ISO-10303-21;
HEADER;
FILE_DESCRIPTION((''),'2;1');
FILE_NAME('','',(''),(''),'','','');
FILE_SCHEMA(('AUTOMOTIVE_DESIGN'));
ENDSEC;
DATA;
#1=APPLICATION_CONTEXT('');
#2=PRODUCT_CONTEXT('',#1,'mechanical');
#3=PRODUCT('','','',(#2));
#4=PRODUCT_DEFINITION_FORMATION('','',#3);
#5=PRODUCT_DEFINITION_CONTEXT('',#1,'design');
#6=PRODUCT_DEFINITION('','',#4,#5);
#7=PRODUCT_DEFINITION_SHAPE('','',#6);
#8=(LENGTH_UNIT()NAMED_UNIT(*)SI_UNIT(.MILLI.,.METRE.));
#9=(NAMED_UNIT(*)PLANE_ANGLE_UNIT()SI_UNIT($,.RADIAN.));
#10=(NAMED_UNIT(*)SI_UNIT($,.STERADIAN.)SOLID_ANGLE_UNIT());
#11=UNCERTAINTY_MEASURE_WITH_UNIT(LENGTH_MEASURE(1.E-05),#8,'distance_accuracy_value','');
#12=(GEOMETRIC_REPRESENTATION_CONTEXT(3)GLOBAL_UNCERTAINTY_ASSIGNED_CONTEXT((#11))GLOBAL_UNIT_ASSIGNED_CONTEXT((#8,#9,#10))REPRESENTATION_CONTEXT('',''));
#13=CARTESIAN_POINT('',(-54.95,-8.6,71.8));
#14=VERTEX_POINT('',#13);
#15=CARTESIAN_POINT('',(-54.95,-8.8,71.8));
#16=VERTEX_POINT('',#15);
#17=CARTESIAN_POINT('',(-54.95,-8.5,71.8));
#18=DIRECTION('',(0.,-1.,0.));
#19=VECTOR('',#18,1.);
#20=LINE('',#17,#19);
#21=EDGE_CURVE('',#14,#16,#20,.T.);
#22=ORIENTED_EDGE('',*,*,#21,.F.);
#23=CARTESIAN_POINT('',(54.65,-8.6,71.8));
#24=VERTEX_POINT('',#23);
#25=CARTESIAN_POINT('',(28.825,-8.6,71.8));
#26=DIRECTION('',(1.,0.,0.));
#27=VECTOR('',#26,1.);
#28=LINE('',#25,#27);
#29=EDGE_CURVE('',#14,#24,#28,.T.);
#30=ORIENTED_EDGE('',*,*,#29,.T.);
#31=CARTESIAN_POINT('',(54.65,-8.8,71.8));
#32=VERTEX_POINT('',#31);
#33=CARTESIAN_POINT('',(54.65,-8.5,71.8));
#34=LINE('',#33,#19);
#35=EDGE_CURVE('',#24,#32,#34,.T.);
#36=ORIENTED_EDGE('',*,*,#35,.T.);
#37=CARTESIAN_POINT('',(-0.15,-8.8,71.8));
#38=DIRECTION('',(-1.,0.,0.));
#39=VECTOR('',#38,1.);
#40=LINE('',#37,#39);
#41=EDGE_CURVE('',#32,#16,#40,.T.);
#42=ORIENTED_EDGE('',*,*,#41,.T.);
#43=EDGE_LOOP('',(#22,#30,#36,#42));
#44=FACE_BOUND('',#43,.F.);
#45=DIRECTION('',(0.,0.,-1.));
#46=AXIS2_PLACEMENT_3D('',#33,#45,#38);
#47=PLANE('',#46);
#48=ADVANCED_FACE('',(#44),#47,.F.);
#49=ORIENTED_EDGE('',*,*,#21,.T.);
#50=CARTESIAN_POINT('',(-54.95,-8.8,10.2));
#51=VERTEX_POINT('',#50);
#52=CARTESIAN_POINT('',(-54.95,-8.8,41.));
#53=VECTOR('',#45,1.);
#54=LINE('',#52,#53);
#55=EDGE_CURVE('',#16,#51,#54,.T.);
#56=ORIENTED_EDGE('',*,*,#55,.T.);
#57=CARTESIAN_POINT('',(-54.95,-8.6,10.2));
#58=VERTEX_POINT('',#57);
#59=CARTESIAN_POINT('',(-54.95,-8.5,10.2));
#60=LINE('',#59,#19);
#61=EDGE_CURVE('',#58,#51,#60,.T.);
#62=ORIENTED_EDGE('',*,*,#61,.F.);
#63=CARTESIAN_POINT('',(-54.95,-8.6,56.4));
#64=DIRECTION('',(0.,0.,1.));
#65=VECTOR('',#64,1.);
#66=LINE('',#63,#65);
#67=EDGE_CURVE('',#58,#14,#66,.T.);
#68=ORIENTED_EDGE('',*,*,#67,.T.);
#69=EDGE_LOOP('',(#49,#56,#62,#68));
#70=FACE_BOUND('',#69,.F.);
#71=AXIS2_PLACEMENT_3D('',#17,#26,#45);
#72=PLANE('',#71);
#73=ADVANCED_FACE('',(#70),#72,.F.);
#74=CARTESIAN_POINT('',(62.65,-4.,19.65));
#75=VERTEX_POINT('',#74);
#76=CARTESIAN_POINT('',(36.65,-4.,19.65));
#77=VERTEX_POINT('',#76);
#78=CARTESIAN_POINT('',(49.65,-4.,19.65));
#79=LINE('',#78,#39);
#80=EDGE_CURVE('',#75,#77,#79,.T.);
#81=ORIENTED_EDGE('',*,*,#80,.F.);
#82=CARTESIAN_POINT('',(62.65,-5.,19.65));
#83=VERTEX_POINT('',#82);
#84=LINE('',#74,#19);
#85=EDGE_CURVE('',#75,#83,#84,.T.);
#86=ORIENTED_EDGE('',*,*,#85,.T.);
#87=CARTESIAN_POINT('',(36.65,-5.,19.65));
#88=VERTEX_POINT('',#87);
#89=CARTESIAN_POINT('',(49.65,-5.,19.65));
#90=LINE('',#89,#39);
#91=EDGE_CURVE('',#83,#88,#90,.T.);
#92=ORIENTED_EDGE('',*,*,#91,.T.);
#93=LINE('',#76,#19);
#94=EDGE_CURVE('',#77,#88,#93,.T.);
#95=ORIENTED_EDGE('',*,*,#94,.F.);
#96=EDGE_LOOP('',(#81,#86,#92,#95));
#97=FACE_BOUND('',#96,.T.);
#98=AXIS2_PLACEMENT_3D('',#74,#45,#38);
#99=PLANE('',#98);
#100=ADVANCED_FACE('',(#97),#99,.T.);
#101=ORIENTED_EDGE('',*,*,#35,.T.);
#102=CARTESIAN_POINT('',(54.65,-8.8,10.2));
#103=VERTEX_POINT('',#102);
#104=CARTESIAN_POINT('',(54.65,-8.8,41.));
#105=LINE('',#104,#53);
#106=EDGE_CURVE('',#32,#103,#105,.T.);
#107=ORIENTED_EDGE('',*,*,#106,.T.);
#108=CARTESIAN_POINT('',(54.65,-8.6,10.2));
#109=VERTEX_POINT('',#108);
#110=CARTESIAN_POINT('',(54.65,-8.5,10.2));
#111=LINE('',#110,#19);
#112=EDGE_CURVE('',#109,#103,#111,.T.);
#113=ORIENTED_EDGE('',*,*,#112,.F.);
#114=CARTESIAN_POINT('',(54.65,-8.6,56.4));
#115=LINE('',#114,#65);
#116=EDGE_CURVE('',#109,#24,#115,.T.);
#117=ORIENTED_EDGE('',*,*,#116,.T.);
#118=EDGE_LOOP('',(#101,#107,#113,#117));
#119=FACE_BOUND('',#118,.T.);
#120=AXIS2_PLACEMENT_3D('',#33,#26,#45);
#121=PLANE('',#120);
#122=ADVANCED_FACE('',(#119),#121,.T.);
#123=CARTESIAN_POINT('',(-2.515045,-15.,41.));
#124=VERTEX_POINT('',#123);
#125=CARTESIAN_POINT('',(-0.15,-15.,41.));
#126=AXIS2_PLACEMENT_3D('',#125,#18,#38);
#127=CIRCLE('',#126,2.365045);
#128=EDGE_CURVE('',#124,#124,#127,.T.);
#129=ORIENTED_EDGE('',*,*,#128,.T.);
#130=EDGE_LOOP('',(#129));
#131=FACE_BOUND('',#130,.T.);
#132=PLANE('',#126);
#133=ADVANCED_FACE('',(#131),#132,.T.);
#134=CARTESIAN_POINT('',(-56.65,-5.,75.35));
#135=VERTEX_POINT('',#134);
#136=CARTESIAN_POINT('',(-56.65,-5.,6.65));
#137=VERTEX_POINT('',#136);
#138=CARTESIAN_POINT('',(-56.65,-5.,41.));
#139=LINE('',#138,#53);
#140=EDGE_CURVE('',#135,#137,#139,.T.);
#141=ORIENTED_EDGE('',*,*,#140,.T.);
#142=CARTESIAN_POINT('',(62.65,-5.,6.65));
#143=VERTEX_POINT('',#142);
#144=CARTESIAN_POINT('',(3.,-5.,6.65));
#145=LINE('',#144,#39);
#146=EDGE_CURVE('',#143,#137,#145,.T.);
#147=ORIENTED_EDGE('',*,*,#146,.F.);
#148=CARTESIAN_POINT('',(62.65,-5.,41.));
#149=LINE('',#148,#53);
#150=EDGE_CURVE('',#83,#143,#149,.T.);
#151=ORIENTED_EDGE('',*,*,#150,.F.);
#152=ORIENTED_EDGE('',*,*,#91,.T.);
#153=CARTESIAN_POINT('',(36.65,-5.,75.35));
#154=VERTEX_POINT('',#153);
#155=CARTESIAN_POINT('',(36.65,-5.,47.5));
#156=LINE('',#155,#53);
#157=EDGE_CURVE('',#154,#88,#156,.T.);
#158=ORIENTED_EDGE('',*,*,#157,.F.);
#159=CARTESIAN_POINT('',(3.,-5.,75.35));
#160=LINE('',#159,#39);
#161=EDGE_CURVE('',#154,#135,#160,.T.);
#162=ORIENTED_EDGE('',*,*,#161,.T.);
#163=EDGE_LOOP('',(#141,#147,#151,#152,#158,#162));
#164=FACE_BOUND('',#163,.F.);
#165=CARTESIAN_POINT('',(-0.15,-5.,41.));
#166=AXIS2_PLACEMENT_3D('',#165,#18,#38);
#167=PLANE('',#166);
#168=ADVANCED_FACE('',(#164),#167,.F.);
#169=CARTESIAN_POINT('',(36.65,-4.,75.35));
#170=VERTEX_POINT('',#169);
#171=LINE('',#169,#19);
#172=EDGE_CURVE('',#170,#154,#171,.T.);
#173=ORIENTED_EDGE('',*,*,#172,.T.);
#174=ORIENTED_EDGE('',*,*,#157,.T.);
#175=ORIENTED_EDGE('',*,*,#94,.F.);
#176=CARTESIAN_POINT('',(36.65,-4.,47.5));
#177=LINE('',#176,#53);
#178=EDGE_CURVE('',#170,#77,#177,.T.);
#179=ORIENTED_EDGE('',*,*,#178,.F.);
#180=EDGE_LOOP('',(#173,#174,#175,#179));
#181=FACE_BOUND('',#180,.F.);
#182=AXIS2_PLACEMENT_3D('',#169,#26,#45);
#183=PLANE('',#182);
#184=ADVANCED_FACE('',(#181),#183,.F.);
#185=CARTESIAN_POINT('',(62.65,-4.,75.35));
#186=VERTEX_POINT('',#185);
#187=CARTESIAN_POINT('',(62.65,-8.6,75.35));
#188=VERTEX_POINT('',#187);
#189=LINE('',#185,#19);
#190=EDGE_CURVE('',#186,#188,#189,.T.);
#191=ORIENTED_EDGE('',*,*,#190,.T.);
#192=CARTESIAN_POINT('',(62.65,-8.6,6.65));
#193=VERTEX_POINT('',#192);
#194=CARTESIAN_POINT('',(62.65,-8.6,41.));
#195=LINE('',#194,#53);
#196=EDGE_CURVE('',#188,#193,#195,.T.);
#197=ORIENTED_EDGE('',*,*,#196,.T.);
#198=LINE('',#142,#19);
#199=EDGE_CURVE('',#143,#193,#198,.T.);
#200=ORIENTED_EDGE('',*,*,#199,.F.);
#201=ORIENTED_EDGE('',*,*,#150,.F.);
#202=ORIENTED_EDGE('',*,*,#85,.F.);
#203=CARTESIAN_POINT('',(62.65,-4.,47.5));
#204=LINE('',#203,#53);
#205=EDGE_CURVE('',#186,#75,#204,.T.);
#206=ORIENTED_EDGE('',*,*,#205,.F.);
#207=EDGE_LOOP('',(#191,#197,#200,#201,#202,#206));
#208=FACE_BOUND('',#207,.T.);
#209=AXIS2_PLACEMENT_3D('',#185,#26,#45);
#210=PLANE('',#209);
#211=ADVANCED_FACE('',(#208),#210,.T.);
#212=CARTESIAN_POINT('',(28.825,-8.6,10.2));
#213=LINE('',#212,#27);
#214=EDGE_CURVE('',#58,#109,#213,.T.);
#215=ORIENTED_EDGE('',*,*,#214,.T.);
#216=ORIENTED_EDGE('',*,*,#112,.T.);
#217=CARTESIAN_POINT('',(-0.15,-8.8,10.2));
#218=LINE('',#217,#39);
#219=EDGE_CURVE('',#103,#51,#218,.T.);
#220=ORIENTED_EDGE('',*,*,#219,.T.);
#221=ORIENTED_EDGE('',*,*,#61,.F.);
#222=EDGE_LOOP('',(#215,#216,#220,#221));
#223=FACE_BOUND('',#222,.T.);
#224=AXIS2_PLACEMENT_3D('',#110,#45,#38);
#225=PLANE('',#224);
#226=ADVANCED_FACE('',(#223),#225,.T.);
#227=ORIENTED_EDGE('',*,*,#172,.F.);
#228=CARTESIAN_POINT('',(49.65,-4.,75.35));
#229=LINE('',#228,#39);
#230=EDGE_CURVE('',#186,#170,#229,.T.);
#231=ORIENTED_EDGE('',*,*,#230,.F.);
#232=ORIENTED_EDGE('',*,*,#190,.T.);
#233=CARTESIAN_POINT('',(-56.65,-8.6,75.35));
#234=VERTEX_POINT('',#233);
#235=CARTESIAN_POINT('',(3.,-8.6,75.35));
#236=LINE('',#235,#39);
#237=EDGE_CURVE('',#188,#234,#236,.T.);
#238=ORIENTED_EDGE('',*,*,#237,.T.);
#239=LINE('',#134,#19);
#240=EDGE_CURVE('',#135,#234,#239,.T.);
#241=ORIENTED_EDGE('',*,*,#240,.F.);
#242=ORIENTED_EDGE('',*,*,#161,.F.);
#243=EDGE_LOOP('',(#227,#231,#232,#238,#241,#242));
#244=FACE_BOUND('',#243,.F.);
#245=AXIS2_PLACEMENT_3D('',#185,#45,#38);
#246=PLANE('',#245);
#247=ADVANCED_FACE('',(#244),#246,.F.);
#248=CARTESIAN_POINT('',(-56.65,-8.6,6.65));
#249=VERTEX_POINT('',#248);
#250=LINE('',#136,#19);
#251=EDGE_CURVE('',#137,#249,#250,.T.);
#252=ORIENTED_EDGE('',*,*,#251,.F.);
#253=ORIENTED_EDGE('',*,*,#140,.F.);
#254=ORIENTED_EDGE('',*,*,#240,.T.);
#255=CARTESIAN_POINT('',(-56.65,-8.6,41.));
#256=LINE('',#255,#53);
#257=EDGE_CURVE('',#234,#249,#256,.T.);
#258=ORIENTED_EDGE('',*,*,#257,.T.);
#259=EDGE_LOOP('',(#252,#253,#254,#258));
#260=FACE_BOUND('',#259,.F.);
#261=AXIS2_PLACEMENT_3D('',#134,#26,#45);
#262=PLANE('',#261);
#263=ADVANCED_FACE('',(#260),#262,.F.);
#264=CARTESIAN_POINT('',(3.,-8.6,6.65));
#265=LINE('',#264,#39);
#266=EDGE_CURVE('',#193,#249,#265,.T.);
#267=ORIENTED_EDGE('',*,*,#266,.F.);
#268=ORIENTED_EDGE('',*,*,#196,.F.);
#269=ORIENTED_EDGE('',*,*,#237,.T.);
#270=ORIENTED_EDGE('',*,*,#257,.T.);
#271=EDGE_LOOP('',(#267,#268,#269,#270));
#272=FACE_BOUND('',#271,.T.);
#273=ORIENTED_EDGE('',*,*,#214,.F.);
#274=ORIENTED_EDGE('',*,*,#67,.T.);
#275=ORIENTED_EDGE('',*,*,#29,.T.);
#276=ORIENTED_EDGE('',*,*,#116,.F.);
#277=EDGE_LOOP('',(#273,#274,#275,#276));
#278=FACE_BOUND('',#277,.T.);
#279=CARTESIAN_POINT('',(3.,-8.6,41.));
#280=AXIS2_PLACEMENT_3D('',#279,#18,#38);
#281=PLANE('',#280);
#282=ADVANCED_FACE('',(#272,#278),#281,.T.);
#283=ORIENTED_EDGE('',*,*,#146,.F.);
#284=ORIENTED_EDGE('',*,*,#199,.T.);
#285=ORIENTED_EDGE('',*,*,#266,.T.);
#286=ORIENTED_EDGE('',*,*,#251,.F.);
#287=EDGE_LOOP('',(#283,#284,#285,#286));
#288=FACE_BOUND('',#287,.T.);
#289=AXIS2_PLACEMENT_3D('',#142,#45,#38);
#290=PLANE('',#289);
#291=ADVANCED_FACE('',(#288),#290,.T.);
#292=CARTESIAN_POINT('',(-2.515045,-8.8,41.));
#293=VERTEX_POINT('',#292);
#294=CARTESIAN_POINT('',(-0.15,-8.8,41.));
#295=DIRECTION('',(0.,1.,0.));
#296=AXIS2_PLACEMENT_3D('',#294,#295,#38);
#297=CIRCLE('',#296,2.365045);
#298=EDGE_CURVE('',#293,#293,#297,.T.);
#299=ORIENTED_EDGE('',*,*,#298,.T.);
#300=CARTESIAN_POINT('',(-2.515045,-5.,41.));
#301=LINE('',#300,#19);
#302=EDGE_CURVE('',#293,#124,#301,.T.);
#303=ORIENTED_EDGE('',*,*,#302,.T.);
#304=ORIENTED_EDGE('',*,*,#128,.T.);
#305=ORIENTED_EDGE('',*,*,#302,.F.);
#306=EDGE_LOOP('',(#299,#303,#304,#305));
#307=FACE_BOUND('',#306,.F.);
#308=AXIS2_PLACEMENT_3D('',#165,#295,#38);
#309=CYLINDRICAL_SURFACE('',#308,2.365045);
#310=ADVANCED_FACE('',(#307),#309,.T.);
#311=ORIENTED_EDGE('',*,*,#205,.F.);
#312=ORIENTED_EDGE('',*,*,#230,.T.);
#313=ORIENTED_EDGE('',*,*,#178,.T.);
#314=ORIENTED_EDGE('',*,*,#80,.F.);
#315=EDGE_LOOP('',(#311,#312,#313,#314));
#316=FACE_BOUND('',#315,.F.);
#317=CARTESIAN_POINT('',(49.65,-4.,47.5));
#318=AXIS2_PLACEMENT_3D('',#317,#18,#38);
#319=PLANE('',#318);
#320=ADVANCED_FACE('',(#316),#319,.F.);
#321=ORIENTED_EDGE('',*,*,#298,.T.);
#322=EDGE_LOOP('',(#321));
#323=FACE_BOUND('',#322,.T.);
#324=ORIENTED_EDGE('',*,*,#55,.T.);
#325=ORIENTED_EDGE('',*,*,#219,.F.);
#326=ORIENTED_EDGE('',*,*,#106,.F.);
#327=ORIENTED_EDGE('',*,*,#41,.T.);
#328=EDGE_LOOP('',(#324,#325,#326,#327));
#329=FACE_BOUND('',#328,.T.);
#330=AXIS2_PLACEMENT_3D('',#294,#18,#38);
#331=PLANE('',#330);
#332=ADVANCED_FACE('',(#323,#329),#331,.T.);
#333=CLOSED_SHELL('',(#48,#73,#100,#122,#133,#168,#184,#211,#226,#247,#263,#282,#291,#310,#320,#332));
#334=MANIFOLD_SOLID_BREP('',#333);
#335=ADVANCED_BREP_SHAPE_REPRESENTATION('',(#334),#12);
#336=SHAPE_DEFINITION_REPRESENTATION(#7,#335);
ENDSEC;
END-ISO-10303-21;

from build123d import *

# Parameters (mm, degrees)
SKETCH002_W             = 119.3
SKETCH002_H             = 68.7
PAD001_DEPTH            = 3.6
SKETCH003_W             = 109.6
SKETCH003_H             = 61.6
PAD002_DEPTH            = 0.3
SKETCH004_W             = 26
SKETCH004_H             = 55.7
PAD003_DEPTH            = 1
SKETCH006_R             = 2.365045
PAD004_DEPTH            = 10
BODY001_PLACEMENT_ANGLE = 180


with BuildPart() as part:
    # Sketch002 → Pad001 (new body)
    with BuildSketch(Plane.XZ):
        Rectangle(SKETCH002_W, SKETCH002_H)
    extrude(amount=PAD001_DEPTH)

    # Sketch003 → Pad002 (join)
    with BuildSketch(Plane.XZ.offset(3.5)):
        with Locations((3.15, 0)):
            Rectangle(SKETCH003_W, SKETCH003_H)
    extrude(amount=PAD002_DEPTH)

    # Sketch004 → Pad003 (join)
    with BuildSketch(Plane.XZ.offset(-1)):
        with Locations((-46.65, -6.5)):
            Rectangle(SKETCH004_W, SKETCH004_H)
    extrude(amount=PAD003_DEPTH)

    # Sketch006 → Pad004 (join)
    with BuildSketch(Plane.XZ):
        with Locations((3.15, 0)):
            Circle(SKETCH006_R)
    extrude(amount=PAD004_DEPTH)


with BuildPart() as part_1:
    # Body001 placement: moved
    add(part.part.moved(Location((3, -5, 41))).rotate(Axis((3, -5, 41), (0, 1, 0)), BODY001_PLACEMENT_ANGLE))


solid = part_1.part
